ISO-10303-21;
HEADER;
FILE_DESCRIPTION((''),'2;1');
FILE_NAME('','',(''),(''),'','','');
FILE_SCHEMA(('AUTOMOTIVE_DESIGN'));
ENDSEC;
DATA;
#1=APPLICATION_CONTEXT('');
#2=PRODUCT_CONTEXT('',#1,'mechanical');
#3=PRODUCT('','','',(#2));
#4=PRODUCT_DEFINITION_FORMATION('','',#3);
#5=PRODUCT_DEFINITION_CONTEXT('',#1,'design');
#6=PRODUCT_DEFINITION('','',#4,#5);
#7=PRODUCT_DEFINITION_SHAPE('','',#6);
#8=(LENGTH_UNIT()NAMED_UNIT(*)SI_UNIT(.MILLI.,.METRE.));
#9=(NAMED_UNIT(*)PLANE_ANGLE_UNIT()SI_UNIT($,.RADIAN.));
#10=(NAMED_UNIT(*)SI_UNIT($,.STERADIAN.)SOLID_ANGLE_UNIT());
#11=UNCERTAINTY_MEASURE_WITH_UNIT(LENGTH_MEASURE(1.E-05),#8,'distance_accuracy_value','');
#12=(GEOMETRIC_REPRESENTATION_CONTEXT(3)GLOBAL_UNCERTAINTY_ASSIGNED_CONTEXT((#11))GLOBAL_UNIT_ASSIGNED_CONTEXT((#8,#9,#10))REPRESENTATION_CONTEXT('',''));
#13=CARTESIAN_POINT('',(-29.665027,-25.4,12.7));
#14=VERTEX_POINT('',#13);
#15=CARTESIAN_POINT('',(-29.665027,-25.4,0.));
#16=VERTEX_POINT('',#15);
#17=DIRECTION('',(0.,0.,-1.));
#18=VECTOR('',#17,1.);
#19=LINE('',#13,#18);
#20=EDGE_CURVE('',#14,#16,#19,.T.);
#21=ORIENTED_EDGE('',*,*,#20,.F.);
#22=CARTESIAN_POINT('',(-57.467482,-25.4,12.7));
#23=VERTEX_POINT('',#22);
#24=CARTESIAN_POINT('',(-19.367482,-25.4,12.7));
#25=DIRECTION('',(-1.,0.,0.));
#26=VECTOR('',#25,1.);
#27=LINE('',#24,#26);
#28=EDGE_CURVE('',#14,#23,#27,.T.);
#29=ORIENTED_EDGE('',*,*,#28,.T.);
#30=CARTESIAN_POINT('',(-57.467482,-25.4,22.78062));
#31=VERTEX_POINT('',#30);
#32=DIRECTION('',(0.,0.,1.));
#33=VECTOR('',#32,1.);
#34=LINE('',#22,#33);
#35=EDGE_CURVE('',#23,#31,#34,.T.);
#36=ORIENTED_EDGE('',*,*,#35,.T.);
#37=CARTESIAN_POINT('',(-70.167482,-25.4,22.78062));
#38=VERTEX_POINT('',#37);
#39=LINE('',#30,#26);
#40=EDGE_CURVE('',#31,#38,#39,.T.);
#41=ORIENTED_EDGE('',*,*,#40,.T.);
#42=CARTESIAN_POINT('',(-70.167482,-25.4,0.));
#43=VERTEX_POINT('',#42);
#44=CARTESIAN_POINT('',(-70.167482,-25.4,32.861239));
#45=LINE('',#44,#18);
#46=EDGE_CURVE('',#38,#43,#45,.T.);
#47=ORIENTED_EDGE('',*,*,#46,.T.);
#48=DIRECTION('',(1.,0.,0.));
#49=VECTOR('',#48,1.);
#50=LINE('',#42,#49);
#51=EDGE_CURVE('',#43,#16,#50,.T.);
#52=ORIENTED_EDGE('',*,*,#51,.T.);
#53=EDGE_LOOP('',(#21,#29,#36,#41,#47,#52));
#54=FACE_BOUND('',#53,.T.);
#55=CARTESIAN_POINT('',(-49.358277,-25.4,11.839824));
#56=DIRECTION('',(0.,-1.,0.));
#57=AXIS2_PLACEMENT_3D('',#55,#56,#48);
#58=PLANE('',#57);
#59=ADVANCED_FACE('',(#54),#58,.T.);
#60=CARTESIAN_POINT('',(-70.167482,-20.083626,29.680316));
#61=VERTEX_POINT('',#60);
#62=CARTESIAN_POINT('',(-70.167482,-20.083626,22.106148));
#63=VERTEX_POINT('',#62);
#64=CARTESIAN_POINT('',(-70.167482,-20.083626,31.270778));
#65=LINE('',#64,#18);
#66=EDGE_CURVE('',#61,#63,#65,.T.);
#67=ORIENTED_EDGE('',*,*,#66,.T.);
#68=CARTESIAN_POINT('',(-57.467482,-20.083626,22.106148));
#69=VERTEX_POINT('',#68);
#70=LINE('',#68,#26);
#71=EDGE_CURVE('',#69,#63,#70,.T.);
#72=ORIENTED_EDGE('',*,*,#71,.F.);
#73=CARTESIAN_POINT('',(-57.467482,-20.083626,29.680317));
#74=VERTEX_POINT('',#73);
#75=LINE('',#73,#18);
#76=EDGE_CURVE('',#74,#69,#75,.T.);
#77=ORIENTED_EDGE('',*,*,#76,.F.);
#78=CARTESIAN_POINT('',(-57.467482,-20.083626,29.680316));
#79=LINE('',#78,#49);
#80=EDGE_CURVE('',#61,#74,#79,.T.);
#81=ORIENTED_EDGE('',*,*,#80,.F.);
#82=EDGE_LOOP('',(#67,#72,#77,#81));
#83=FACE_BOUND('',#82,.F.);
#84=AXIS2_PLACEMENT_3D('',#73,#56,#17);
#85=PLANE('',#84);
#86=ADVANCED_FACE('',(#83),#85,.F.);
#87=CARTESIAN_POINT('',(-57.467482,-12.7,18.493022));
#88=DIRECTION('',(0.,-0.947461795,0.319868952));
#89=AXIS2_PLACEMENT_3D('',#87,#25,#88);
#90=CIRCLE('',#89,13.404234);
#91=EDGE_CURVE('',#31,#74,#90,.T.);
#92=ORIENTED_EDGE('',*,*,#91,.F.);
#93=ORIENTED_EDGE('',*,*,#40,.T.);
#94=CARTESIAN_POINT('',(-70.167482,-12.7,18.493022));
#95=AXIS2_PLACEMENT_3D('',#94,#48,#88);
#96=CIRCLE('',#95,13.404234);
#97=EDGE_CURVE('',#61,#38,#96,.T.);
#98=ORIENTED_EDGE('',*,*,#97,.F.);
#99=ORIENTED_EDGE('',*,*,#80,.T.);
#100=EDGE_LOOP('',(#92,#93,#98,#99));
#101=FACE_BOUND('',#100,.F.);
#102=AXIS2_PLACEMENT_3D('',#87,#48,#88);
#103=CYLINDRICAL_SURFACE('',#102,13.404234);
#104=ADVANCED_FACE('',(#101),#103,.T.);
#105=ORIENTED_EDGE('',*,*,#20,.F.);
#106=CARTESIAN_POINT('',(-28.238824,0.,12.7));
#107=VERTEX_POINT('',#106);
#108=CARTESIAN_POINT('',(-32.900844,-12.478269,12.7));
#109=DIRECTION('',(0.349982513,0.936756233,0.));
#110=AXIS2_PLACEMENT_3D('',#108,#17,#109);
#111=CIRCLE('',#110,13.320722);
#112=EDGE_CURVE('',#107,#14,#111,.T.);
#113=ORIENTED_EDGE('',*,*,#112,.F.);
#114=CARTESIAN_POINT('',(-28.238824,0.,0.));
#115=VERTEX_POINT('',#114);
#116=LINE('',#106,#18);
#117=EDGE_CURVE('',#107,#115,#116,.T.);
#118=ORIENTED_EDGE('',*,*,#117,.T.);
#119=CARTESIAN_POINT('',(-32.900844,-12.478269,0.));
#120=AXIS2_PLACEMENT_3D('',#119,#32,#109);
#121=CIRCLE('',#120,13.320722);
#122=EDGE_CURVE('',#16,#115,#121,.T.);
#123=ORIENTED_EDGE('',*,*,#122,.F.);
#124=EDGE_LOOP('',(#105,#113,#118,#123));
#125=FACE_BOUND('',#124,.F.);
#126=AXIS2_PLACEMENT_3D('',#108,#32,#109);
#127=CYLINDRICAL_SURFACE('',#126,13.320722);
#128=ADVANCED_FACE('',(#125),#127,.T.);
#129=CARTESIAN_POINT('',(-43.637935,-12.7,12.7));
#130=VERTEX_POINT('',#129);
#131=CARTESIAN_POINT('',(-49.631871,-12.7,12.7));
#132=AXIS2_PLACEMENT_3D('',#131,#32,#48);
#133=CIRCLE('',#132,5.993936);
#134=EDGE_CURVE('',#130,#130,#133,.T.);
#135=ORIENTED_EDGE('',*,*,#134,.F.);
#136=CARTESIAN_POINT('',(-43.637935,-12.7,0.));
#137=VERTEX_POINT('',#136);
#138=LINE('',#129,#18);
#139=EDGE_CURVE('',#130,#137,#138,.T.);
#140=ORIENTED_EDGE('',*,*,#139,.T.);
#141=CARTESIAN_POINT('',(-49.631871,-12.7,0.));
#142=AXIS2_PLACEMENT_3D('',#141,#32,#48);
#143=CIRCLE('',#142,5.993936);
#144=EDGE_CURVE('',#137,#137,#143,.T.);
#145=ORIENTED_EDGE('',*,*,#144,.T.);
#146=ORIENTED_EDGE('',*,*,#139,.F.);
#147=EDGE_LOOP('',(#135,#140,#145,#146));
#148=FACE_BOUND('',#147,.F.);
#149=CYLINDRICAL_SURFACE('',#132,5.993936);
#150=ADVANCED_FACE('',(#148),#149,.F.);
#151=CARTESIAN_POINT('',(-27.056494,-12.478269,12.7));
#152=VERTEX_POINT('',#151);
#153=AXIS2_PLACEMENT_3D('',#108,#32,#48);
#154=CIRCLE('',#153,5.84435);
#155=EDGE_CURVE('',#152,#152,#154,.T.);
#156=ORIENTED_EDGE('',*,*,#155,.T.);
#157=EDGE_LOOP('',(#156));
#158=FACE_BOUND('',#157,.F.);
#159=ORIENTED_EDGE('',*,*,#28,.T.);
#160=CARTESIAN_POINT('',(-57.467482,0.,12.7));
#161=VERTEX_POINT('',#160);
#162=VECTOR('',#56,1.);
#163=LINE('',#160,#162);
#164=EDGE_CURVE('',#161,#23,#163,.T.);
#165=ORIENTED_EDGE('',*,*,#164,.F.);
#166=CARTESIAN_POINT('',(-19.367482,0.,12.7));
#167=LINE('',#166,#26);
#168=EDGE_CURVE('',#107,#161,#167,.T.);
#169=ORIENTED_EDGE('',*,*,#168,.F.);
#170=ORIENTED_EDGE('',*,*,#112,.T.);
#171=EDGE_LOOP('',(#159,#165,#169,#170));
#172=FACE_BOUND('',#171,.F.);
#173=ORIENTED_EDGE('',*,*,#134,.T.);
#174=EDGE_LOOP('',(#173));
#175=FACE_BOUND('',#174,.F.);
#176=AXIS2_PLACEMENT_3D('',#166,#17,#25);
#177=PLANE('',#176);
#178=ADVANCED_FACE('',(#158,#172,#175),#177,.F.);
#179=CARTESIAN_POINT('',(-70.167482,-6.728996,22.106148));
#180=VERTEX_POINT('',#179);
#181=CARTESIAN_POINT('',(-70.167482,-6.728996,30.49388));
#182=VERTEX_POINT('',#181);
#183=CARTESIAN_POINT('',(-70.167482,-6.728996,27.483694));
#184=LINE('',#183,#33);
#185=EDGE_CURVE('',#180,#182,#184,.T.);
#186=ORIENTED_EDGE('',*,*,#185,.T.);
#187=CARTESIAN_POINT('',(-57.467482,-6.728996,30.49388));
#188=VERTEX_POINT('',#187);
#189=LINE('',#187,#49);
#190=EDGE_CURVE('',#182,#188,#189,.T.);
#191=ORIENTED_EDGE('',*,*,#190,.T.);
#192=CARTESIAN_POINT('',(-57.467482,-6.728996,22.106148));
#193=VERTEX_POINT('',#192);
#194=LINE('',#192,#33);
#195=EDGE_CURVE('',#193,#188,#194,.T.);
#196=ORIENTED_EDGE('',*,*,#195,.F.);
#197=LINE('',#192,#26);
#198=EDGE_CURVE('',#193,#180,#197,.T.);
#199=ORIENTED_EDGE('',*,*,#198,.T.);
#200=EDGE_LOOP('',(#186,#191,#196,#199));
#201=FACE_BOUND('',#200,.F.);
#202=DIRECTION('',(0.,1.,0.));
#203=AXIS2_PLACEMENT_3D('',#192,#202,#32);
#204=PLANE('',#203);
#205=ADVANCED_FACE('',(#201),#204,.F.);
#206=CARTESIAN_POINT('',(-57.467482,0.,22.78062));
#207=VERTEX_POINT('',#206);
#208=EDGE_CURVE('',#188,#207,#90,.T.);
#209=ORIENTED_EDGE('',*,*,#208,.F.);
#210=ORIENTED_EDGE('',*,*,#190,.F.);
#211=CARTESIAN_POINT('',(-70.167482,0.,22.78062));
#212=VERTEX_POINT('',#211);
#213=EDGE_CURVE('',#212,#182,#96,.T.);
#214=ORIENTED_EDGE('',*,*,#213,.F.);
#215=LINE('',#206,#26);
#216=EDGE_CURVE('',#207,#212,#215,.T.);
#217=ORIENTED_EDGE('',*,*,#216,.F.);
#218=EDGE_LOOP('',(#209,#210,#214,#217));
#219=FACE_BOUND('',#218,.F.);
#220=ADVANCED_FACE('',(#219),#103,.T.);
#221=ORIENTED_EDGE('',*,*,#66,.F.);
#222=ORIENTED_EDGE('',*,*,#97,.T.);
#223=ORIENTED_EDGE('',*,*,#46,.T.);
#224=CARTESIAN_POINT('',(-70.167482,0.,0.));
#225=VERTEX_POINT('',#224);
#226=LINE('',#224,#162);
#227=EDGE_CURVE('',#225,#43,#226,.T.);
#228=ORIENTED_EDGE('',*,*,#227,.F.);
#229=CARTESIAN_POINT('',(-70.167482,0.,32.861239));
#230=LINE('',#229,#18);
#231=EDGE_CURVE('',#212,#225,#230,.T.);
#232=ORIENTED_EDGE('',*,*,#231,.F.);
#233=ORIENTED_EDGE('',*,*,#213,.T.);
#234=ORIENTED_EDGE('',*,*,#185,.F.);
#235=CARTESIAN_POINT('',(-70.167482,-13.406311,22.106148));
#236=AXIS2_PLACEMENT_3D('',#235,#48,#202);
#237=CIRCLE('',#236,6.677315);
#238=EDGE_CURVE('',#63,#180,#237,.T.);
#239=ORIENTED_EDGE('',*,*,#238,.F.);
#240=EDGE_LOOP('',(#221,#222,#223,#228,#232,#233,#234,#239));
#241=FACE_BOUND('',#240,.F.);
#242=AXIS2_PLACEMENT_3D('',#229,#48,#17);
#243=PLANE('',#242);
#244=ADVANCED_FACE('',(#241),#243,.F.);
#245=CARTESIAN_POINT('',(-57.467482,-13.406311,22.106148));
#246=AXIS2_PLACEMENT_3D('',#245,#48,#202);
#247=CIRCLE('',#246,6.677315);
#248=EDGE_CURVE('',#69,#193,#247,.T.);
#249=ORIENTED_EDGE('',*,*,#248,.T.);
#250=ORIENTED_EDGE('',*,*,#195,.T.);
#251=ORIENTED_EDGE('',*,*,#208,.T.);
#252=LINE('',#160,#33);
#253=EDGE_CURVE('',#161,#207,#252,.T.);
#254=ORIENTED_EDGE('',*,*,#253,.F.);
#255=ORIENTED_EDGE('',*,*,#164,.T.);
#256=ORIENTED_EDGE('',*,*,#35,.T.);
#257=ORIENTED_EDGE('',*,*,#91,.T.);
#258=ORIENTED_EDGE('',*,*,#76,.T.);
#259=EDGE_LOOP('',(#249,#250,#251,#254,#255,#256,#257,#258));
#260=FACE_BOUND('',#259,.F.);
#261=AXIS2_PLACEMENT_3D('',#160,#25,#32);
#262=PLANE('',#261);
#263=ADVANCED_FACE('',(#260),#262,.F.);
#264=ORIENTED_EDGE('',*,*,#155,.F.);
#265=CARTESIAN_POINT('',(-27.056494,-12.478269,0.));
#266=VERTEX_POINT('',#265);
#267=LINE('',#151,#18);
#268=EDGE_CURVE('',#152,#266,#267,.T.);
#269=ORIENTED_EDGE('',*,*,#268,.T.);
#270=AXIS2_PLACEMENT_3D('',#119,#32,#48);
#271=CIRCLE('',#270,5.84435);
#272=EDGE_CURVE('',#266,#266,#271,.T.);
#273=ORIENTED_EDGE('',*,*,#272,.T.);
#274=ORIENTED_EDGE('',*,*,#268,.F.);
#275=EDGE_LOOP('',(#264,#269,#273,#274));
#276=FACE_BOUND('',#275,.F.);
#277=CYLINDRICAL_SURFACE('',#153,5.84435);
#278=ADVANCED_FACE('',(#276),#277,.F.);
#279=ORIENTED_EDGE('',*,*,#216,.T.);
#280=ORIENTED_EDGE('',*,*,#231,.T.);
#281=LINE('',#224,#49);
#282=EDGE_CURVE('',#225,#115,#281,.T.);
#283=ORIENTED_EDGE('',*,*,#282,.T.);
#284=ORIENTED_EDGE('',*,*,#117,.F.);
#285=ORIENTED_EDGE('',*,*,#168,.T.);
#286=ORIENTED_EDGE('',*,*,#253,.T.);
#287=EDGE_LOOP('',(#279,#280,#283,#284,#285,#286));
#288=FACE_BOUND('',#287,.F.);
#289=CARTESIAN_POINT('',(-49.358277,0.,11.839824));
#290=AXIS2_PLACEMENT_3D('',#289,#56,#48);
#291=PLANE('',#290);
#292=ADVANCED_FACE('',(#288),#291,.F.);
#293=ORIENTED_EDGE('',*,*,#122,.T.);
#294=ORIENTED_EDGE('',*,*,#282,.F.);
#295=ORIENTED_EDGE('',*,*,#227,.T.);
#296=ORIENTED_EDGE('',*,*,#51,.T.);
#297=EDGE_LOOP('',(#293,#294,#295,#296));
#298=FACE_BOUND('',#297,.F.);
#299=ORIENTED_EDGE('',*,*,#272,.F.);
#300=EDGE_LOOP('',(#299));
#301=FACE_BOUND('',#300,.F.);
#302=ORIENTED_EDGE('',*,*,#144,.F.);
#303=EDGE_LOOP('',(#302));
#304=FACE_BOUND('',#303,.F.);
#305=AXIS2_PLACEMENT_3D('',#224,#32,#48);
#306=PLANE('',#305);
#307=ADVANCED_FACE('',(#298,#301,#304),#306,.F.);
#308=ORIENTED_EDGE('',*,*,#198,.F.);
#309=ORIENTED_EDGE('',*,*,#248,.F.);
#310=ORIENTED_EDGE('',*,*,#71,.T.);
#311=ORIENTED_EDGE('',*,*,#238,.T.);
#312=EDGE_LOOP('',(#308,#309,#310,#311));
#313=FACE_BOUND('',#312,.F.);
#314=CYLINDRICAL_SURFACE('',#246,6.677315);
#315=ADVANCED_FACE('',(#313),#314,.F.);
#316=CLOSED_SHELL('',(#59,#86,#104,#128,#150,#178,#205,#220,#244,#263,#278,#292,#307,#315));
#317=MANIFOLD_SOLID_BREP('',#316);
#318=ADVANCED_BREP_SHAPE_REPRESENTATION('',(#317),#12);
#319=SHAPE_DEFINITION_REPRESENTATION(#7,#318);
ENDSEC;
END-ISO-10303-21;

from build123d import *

# Parameters (mm, degrees)
F1_DEPTH = 25.4
F3_DEPTH = 25.4
F5_DEPTH = 25.4
F7_DEPTH = 25.4
F8_R     = 5.84435
F8_R_2   = 5.993936
F9_DEPTH = 25.4


with BuildPart() as f1:
    # F0 (on Front) → F1 (new body)
    with BuildSketch(Plane.XZ):
        Polygon((-70.167482, 32.861239), (-70.167482, 0), (-19.367482, 0), (-19.367482, 12.7), (-57.467482, 12.7), (-57.467482, 32.861239), align=None)
    extrude(amount=F1_DEPTH)

    # F2 (on face) → F3 (cut)
    with BuildSketch(Plane.YZ.offset(-57.467482)):
        with BuildLine():
            ThreePointArc((-25.4, 22.78062), (-12.7, 31.897256), (0, 22.78062))
            Line((0, 22.78062), (0, 32.861239))
            Line((0, 32.861239), (-25.4, 32.861239))
            Line((-25.4, 32.861239), (-25.4, 22.78062))
        make_face()
    extrude(amount=-F3_DEPTH, mode=Mode.SUBTRACT)

    # F4 (on face) → F5 (cut)
    with BuildSketch(Plane.YZ.offset(-57.467482)):
        with BuildLine():
            ThreePointArc((-20.083626, 22.106148), (-13.406311, 28.783463), (-6.728996, 22.106148))
            Line((-6.728996, 22.106148), (-6.728996, 30.493881))
            ThreePointArc((-6.728996, 30.493881), (-13.515075, 31.872452), (-20.083626, 29.680317))
            Line((-20.083626, 29.680317), (-20.083626, 22.106148))
        make_face()
        with BuildLine():
            ThreePointArc((-20.083626, 22.106148), (-13.406311, 15.428833), (-6.728996, 22.106148))
            ThreePointArc((-6.728996, 22.106148), (-13.406311, 28.783463), (-20.083626, 22.106148))
        make_face()
    extrude(amount=-F5_DEPTH, mode=Mode.SUBTRACT)

    # F6 (on face) → F7 (cut)
    with BuildSketch(Plane.XY.offset(12.7)):
        with BuildLine():
            ThreePointArc((-28.238824, 0), (-19.601071, -13.225048), (-29.665027, -25.4))
            Line((-29.665027, -25.4), (-19.367482, -25.4))
            Line((-19.367482, -25.4), (-19.367482, 0))
            Line((-19.367482, 0), (-28.238824, 0))
        make_face()
    extrude(amount=-F7_DEPTH, mode=Mode.SUBTRACT)

    # F8 (on face) → F9 (cut)
    with BuildSketch(Plane.XY.offset(12.7)):
        with Locations((-32.900844, -12.478269)):
            Circle(F8_R)
        with Locations((-49.631871, -12.7)):
            Circle(F8_R_2)
    extrude(amount=-F9_DEPTH, mode=Mode.SUBTRACT)


solid = f1.part
